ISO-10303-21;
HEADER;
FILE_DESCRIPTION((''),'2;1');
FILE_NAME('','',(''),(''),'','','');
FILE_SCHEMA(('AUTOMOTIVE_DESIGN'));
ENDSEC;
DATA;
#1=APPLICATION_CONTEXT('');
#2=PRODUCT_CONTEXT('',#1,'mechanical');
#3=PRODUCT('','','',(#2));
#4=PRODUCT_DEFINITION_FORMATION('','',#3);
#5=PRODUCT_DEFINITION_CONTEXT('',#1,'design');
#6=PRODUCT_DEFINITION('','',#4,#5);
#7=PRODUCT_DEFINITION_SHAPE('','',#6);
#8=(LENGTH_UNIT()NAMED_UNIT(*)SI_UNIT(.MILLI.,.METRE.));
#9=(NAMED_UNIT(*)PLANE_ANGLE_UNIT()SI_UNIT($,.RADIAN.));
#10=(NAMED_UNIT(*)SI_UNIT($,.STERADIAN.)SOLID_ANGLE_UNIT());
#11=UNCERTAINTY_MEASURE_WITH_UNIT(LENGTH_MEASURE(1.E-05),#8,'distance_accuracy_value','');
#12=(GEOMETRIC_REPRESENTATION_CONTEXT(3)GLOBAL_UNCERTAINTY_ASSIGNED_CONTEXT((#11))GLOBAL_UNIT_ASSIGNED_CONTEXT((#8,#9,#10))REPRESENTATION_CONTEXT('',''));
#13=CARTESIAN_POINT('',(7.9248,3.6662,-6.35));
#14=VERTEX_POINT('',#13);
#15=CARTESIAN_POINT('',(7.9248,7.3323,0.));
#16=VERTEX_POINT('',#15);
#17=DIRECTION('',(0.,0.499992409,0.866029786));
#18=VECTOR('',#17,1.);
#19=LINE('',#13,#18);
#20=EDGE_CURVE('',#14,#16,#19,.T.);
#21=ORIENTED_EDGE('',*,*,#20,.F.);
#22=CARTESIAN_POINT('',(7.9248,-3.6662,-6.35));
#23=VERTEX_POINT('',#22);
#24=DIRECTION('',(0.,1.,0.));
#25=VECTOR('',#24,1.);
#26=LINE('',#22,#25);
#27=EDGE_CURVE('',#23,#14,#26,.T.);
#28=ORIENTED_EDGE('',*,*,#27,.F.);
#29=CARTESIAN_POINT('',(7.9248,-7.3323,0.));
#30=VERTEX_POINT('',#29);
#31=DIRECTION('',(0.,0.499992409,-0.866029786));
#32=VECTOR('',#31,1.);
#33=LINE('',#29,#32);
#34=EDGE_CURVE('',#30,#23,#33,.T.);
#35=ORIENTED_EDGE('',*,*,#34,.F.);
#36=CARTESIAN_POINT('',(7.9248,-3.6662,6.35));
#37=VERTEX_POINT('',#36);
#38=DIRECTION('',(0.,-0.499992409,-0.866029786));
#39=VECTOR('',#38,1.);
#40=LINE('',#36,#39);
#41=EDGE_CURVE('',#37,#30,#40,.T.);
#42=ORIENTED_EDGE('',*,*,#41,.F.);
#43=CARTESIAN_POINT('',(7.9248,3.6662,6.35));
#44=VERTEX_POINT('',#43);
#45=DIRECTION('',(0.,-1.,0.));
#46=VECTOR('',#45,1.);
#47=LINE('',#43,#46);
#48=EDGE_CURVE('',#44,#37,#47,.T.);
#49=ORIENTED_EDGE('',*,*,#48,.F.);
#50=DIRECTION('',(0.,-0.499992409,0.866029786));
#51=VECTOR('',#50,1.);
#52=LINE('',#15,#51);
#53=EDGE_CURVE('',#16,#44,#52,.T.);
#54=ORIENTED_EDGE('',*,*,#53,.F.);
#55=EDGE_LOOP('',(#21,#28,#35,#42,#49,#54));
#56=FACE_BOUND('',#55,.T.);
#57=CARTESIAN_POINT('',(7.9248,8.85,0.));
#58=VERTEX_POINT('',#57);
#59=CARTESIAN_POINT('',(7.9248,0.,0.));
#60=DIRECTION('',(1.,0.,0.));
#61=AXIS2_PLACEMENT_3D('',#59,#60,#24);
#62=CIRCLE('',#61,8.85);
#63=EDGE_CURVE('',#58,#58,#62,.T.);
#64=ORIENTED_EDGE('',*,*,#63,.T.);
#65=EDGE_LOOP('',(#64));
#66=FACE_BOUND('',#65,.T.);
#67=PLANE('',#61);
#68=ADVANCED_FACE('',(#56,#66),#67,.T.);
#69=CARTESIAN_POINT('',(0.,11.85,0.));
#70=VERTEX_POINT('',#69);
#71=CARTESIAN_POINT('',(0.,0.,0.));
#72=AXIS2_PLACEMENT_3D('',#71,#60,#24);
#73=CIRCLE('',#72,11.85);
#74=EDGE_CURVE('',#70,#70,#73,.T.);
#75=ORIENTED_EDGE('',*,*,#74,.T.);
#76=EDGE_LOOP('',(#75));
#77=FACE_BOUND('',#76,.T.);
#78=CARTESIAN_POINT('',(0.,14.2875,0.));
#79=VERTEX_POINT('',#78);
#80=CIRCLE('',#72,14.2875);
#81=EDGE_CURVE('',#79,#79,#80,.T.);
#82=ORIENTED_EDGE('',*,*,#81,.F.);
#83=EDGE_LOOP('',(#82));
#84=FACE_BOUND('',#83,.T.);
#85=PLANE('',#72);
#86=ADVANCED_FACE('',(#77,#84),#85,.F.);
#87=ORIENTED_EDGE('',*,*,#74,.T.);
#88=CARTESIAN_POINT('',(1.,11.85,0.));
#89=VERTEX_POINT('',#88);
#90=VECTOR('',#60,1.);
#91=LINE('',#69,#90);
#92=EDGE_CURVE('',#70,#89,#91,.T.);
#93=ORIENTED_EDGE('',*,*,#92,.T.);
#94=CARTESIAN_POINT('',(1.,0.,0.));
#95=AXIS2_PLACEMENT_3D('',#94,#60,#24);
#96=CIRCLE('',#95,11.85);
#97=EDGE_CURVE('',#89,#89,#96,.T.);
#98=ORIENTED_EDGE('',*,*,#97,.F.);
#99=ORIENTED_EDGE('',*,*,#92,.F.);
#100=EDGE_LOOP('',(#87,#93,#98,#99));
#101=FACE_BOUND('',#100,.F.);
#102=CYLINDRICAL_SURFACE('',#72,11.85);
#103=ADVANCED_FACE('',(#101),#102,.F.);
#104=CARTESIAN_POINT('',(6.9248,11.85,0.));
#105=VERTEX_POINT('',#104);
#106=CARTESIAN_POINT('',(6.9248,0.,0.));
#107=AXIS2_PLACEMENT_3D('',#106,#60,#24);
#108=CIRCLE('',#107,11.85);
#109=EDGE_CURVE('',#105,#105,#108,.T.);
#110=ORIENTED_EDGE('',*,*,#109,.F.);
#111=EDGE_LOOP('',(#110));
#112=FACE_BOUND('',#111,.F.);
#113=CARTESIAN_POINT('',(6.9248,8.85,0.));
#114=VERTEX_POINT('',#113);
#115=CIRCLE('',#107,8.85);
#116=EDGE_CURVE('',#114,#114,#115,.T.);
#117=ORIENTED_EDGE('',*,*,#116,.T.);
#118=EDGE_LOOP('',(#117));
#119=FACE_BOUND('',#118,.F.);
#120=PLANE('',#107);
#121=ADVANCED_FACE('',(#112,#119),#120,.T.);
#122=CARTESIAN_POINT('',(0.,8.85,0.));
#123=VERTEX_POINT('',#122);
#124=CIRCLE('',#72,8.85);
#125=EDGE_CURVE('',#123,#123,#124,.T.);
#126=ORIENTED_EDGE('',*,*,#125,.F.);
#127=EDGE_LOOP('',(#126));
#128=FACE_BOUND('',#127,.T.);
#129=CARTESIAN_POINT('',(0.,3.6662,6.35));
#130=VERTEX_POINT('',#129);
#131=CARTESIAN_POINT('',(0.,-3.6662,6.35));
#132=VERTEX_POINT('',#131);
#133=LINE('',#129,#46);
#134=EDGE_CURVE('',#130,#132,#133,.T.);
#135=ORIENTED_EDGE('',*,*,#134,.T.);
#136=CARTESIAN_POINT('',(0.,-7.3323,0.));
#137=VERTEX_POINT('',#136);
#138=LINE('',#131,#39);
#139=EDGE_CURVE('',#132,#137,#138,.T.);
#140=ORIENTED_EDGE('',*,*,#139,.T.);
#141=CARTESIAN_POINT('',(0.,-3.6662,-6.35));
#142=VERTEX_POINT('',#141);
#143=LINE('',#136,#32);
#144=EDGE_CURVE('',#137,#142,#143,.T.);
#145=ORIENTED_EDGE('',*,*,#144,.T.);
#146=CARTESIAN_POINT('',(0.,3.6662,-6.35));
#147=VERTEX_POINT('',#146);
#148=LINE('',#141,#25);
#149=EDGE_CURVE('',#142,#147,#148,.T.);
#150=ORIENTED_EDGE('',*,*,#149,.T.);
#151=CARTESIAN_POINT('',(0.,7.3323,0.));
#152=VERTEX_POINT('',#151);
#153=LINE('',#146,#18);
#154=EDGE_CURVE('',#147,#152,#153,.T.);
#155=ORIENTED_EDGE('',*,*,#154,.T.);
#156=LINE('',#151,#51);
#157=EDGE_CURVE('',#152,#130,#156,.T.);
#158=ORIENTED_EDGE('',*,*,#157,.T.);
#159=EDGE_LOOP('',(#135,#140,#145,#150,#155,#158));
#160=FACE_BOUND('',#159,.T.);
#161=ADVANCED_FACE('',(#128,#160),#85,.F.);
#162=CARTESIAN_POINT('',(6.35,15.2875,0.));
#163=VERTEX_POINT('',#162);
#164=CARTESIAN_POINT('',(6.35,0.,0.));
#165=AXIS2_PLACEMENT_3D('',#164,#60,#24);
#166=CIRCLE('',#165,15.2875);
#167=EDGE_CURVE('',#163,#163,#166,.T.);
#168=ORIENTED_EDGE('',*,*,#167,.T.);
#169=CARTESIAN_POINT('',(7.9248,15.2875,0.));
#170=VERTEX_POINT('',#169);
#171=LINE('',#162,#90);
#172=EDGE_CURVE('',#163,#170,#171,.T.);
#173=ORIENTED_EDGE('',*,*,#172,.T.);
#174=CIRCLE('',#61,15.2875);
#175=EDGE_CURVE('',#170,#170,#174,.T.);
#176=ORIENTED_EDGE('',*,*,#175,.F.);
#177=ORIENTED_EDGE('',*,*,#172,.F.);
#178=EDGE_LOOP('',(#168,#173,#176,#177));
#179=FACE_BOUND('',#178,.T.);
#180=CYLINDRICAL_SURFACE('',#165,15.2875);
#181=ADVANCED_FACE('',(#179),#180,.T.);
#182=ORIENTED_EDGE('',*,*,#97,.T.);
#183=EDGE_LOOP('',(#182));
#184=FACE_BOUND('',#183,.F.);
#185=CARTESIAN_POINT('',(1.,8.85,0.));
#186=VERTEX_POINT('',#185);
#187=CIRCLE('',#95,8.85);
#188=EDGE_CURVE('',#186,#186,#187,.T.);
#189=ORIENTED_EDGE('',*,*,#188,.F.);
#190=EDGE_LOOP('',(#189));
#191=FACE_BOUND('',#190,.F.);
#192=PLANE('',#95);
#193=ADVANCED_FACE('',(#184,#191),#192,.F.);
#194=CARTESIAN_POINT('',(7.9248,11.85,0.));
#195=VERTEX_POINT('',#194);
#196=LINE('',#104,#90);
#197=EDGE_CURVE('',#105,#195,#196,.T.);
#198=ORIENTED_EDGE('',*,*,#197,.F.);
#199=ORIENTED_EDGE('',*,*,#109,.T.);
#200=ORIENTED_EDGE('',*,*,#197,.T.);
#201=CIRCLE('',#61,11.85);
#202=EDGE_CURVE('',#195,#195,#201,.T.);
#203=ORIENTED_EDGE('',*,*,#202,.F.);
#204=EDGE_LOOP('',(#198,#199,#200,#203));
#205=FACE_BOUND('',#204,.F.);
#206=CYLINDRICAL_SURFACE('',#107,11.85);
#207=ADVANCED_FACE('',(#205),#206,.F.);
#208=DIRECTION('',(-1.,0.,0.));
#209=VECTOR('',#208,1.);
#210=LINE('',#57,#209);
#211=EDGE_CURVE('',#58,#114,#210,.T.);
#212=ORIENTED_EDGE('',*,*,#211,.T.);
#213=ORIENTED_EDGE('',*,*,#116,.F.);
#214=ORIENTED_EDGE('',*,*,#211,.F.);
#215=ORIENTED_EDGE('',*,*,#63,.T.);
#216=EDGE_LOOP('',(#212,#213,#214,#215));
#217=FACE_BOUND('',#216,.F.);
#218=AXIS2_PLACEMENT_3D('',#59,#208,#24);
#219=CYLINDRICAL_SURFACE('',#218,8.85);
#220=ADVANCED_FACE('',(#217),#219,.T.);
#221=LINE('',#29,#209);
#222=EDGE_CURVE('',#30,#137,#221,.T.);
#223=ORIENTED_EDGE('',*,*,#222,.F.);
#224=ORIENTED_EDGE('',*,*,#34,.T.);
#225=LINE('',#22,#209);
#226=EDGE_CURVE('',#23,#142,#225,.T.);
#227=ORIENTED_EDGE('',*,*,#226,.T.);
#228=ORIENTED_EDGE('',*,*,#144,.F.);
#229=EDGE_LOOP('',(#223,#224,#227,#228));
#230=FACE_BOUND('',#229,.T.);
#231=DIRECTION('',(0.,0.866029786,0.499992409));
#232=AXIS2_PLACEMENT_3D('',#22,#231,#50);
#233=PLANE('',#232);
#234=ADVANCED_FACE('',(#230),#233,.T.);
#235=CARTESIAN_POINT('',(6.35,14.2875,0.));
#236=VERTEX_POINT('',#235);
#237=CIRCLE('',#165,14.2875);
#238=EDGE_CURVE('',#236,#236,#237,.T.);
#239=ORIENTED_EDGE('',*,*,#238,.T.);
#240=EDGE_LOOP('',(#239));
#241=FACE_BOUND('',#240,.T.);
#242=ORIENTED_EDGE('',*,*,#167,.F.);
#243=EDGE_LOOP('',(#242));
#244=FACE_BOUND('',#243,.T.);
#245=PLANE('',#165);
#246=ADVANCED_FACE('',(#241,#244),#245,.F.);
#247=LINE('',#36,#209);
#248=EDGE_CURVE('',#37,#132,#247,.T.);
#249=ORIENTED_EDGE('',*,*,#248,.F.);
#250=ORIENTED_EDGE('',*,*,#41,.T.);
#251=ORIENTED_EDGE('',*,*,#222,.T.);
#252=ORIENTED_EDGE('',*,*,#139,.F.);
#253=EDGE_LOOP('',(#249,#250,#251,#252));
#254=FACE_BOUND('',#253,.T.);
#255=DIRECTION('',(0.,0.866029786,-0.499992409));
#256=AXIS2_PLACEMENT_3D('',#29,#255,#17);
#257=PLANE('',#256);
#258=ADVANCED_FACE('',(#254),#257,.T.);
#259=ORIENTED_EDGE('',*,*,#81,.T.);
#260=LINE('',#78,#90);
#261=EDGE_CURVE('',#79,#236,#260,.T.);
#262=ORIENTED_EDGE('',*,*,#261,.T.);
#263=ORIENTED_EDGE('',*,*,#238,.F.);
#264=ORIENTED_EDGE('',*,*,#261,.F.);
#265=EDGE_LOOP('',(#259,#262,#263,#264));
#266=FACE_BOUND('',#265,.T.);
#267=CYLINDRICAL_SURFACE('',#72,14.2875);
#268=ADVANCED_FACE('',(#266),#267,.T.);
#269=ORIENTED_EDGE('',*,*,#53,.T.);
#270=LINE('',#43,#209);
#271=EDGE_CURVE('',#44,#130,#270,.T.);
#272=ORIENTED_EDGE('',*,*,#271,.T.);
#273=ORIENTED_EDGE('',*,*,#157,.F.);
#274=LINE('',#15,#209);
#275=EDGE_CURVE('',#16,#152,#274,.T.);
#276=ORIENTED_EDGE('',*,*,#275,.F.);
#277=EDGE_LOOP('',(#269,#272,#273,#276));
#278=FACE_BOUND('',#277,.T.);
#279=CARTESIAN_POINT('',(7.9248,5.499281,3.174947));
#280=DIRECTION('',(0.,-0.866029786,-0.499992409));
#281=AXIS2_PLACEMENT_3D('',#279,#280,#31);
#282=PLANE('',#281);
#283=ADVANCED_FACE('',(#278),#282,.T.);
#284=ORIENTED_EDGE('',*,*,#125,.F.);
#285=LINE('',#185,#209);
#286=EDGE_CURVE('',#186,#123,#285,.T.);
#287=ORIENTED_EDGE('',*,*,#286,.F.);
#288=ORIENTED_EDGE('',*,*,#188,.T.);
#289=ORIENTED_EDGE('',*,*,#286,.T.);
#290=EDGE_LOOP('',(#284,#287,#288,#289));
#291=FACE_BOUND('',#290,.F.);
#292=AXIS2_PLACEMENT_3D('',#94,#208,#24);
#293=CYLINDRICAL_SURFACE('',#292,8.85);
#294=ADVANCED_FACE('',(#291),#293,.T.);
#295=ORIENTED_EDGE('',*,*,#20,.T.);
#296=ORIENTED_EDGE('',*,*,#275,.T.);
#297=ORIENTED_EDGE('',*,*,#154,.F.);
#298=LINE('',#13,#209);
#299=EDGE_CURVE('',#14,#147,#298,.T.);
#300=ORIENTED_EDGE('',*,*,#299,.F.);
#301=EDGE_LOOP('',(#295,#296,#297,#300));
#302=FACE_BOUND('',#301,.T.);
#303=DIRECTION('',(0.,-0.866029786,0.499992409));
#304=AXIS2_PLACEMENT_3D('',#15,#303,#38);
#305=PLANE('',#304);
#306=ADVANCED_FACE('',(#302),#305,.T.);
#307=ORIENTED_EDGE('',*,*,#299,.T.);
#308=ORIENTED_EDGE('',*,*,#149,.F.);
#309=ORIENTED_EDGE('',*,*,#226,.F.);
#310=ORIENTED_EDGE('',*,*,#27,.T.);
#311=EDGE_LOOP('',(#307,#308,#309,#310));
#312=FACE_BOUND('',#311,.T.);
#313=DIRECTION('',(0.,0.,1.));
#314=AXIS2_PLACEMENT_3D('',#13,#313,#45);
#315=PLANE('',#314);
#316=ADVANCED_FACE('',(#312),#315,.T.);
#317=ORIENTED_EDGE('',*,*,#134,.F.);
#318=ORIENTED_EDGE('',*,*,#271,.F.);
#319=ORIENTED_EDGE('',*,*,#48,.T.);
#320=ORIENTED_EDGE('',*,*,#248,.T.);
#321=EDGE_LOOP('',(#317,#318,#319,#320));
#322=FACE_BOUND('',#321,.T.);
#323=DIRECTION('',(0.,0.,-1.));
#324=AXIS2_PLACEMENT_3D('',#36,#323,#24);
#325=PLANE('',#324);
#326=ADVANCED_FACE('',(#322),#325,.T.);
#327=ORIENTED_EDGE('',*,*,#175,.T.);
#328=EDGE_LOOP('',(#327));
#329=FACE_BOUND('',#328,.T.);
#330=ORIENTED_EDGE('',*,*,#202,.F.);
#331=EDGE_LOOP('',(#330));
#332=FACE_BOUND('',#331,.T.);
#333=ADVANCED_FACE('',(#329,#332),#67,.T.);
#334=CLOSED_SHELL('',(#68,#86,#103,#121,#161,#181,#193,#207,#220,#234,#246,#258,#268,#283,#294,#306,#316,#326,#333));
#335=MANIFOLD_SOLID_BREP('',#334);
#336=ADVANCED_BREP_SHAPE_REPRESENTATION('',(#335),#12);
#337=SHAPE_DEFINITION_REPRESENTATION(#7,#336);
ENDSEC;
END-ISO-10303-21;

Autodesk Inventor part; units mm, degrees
ref_plane "YZ Plane" through (0, 0, 0) normal (1, 0, 0) x (0, 1, 0)
ref_plane "XZ Plane" through (0, 0, 0) normal (0, 1, 0) x (-1, 0, 0)
ref_plane "XY Plane" through (0, 0, 0) normal (0, 0, 1) x (1, 0, 0)
sketch "Sketch1" plane through (0, 0, 0) normal (0, 0, 1) x (1, 0, 0)
  line L0 (0, 14.2875) -> (6.35, 14.2875)
  line L1 (6.35, 14.2875) -> (6.35, 15.2875)
  line L2 (6.35, 15.2875) -> (7.9248, 15.2875)
  line L3 (7.9248, 15.2875) -> (7.9248, 6.35)
  line L4 (7.9248, 6.35) -> (0, 6.35)
  line L5 (0, 6.35) -> (0, 14.2875)
  line L6 (0, 0) -> (7.9248, 0)
  line L7 (0, 11.85) -> (1, 11.85)
  line L8 (1, 11.85) -> (1, 8.85)
  line L9 (1, 8.85) -> (0, 8.85)
  line L10 (0, 8.85) -> (0, 11.85)
  line L11 (7.9248, 8.85) -> (6.9248, 8.85)
  line L12 (6.9248, 8.85) -> (6.9248, 11.85)
  line L13 (6.9248, 11.85) -> (7.9248, 11.85)
  line L14 (7.9248, 11.85) -> (7.9248, 8.85)
  dimension "d0" = 7.9248
  dimension "d2" = 12.7
  dimension "d3" = 28.575
  dimension "d4" = 1.5748
  dimension "d5" = 1
  dimension "d7" = 1
  dimension "d8" = 3
  dimension "d9" = 2.5
revolve "Revolution1" add sketch "Sketch1" angle 360 about axis through (0, 0, 0) along (1, 0, 0) contours L0 L1 L2 L3 L13 L12 L11 L4 L5 L9 L8 L7
sketch "Sketch2" plane through (7.9248, 0, 0) normal (1, 0, 0) x (0, 0, -1)
  circle A0 centre (0, 0) radius 8.85 projected
  circle A1 centre (0, 0) radius 6.35 projected
  line L0 (0, 7.3323) -> (6.35, 3.6662)
  line L1 (6.35, 3.6662) -> (6.35, -3.6662)
  line L2 (6.35, -3.6662) -> (0, -7.3323)
  line L3 (0, -7.3323) -> (-6.35, -3.6662)
  line L4 (-6.35, -3.6662) -> (-6.35, 3.6662)
  line L5 (-6.35, 3.6662) -> (0, 7.3323)
extrude "Extrusion1" cut sketch "Sketch2" against normal through all contours L1 L2 A1 | A1 L0 L1 | A1 L5 L0 | L2 L3 A1 | A1 L4 L5 | L3 L4 A1
properties part number "RoundBearing-1-2-inch"
